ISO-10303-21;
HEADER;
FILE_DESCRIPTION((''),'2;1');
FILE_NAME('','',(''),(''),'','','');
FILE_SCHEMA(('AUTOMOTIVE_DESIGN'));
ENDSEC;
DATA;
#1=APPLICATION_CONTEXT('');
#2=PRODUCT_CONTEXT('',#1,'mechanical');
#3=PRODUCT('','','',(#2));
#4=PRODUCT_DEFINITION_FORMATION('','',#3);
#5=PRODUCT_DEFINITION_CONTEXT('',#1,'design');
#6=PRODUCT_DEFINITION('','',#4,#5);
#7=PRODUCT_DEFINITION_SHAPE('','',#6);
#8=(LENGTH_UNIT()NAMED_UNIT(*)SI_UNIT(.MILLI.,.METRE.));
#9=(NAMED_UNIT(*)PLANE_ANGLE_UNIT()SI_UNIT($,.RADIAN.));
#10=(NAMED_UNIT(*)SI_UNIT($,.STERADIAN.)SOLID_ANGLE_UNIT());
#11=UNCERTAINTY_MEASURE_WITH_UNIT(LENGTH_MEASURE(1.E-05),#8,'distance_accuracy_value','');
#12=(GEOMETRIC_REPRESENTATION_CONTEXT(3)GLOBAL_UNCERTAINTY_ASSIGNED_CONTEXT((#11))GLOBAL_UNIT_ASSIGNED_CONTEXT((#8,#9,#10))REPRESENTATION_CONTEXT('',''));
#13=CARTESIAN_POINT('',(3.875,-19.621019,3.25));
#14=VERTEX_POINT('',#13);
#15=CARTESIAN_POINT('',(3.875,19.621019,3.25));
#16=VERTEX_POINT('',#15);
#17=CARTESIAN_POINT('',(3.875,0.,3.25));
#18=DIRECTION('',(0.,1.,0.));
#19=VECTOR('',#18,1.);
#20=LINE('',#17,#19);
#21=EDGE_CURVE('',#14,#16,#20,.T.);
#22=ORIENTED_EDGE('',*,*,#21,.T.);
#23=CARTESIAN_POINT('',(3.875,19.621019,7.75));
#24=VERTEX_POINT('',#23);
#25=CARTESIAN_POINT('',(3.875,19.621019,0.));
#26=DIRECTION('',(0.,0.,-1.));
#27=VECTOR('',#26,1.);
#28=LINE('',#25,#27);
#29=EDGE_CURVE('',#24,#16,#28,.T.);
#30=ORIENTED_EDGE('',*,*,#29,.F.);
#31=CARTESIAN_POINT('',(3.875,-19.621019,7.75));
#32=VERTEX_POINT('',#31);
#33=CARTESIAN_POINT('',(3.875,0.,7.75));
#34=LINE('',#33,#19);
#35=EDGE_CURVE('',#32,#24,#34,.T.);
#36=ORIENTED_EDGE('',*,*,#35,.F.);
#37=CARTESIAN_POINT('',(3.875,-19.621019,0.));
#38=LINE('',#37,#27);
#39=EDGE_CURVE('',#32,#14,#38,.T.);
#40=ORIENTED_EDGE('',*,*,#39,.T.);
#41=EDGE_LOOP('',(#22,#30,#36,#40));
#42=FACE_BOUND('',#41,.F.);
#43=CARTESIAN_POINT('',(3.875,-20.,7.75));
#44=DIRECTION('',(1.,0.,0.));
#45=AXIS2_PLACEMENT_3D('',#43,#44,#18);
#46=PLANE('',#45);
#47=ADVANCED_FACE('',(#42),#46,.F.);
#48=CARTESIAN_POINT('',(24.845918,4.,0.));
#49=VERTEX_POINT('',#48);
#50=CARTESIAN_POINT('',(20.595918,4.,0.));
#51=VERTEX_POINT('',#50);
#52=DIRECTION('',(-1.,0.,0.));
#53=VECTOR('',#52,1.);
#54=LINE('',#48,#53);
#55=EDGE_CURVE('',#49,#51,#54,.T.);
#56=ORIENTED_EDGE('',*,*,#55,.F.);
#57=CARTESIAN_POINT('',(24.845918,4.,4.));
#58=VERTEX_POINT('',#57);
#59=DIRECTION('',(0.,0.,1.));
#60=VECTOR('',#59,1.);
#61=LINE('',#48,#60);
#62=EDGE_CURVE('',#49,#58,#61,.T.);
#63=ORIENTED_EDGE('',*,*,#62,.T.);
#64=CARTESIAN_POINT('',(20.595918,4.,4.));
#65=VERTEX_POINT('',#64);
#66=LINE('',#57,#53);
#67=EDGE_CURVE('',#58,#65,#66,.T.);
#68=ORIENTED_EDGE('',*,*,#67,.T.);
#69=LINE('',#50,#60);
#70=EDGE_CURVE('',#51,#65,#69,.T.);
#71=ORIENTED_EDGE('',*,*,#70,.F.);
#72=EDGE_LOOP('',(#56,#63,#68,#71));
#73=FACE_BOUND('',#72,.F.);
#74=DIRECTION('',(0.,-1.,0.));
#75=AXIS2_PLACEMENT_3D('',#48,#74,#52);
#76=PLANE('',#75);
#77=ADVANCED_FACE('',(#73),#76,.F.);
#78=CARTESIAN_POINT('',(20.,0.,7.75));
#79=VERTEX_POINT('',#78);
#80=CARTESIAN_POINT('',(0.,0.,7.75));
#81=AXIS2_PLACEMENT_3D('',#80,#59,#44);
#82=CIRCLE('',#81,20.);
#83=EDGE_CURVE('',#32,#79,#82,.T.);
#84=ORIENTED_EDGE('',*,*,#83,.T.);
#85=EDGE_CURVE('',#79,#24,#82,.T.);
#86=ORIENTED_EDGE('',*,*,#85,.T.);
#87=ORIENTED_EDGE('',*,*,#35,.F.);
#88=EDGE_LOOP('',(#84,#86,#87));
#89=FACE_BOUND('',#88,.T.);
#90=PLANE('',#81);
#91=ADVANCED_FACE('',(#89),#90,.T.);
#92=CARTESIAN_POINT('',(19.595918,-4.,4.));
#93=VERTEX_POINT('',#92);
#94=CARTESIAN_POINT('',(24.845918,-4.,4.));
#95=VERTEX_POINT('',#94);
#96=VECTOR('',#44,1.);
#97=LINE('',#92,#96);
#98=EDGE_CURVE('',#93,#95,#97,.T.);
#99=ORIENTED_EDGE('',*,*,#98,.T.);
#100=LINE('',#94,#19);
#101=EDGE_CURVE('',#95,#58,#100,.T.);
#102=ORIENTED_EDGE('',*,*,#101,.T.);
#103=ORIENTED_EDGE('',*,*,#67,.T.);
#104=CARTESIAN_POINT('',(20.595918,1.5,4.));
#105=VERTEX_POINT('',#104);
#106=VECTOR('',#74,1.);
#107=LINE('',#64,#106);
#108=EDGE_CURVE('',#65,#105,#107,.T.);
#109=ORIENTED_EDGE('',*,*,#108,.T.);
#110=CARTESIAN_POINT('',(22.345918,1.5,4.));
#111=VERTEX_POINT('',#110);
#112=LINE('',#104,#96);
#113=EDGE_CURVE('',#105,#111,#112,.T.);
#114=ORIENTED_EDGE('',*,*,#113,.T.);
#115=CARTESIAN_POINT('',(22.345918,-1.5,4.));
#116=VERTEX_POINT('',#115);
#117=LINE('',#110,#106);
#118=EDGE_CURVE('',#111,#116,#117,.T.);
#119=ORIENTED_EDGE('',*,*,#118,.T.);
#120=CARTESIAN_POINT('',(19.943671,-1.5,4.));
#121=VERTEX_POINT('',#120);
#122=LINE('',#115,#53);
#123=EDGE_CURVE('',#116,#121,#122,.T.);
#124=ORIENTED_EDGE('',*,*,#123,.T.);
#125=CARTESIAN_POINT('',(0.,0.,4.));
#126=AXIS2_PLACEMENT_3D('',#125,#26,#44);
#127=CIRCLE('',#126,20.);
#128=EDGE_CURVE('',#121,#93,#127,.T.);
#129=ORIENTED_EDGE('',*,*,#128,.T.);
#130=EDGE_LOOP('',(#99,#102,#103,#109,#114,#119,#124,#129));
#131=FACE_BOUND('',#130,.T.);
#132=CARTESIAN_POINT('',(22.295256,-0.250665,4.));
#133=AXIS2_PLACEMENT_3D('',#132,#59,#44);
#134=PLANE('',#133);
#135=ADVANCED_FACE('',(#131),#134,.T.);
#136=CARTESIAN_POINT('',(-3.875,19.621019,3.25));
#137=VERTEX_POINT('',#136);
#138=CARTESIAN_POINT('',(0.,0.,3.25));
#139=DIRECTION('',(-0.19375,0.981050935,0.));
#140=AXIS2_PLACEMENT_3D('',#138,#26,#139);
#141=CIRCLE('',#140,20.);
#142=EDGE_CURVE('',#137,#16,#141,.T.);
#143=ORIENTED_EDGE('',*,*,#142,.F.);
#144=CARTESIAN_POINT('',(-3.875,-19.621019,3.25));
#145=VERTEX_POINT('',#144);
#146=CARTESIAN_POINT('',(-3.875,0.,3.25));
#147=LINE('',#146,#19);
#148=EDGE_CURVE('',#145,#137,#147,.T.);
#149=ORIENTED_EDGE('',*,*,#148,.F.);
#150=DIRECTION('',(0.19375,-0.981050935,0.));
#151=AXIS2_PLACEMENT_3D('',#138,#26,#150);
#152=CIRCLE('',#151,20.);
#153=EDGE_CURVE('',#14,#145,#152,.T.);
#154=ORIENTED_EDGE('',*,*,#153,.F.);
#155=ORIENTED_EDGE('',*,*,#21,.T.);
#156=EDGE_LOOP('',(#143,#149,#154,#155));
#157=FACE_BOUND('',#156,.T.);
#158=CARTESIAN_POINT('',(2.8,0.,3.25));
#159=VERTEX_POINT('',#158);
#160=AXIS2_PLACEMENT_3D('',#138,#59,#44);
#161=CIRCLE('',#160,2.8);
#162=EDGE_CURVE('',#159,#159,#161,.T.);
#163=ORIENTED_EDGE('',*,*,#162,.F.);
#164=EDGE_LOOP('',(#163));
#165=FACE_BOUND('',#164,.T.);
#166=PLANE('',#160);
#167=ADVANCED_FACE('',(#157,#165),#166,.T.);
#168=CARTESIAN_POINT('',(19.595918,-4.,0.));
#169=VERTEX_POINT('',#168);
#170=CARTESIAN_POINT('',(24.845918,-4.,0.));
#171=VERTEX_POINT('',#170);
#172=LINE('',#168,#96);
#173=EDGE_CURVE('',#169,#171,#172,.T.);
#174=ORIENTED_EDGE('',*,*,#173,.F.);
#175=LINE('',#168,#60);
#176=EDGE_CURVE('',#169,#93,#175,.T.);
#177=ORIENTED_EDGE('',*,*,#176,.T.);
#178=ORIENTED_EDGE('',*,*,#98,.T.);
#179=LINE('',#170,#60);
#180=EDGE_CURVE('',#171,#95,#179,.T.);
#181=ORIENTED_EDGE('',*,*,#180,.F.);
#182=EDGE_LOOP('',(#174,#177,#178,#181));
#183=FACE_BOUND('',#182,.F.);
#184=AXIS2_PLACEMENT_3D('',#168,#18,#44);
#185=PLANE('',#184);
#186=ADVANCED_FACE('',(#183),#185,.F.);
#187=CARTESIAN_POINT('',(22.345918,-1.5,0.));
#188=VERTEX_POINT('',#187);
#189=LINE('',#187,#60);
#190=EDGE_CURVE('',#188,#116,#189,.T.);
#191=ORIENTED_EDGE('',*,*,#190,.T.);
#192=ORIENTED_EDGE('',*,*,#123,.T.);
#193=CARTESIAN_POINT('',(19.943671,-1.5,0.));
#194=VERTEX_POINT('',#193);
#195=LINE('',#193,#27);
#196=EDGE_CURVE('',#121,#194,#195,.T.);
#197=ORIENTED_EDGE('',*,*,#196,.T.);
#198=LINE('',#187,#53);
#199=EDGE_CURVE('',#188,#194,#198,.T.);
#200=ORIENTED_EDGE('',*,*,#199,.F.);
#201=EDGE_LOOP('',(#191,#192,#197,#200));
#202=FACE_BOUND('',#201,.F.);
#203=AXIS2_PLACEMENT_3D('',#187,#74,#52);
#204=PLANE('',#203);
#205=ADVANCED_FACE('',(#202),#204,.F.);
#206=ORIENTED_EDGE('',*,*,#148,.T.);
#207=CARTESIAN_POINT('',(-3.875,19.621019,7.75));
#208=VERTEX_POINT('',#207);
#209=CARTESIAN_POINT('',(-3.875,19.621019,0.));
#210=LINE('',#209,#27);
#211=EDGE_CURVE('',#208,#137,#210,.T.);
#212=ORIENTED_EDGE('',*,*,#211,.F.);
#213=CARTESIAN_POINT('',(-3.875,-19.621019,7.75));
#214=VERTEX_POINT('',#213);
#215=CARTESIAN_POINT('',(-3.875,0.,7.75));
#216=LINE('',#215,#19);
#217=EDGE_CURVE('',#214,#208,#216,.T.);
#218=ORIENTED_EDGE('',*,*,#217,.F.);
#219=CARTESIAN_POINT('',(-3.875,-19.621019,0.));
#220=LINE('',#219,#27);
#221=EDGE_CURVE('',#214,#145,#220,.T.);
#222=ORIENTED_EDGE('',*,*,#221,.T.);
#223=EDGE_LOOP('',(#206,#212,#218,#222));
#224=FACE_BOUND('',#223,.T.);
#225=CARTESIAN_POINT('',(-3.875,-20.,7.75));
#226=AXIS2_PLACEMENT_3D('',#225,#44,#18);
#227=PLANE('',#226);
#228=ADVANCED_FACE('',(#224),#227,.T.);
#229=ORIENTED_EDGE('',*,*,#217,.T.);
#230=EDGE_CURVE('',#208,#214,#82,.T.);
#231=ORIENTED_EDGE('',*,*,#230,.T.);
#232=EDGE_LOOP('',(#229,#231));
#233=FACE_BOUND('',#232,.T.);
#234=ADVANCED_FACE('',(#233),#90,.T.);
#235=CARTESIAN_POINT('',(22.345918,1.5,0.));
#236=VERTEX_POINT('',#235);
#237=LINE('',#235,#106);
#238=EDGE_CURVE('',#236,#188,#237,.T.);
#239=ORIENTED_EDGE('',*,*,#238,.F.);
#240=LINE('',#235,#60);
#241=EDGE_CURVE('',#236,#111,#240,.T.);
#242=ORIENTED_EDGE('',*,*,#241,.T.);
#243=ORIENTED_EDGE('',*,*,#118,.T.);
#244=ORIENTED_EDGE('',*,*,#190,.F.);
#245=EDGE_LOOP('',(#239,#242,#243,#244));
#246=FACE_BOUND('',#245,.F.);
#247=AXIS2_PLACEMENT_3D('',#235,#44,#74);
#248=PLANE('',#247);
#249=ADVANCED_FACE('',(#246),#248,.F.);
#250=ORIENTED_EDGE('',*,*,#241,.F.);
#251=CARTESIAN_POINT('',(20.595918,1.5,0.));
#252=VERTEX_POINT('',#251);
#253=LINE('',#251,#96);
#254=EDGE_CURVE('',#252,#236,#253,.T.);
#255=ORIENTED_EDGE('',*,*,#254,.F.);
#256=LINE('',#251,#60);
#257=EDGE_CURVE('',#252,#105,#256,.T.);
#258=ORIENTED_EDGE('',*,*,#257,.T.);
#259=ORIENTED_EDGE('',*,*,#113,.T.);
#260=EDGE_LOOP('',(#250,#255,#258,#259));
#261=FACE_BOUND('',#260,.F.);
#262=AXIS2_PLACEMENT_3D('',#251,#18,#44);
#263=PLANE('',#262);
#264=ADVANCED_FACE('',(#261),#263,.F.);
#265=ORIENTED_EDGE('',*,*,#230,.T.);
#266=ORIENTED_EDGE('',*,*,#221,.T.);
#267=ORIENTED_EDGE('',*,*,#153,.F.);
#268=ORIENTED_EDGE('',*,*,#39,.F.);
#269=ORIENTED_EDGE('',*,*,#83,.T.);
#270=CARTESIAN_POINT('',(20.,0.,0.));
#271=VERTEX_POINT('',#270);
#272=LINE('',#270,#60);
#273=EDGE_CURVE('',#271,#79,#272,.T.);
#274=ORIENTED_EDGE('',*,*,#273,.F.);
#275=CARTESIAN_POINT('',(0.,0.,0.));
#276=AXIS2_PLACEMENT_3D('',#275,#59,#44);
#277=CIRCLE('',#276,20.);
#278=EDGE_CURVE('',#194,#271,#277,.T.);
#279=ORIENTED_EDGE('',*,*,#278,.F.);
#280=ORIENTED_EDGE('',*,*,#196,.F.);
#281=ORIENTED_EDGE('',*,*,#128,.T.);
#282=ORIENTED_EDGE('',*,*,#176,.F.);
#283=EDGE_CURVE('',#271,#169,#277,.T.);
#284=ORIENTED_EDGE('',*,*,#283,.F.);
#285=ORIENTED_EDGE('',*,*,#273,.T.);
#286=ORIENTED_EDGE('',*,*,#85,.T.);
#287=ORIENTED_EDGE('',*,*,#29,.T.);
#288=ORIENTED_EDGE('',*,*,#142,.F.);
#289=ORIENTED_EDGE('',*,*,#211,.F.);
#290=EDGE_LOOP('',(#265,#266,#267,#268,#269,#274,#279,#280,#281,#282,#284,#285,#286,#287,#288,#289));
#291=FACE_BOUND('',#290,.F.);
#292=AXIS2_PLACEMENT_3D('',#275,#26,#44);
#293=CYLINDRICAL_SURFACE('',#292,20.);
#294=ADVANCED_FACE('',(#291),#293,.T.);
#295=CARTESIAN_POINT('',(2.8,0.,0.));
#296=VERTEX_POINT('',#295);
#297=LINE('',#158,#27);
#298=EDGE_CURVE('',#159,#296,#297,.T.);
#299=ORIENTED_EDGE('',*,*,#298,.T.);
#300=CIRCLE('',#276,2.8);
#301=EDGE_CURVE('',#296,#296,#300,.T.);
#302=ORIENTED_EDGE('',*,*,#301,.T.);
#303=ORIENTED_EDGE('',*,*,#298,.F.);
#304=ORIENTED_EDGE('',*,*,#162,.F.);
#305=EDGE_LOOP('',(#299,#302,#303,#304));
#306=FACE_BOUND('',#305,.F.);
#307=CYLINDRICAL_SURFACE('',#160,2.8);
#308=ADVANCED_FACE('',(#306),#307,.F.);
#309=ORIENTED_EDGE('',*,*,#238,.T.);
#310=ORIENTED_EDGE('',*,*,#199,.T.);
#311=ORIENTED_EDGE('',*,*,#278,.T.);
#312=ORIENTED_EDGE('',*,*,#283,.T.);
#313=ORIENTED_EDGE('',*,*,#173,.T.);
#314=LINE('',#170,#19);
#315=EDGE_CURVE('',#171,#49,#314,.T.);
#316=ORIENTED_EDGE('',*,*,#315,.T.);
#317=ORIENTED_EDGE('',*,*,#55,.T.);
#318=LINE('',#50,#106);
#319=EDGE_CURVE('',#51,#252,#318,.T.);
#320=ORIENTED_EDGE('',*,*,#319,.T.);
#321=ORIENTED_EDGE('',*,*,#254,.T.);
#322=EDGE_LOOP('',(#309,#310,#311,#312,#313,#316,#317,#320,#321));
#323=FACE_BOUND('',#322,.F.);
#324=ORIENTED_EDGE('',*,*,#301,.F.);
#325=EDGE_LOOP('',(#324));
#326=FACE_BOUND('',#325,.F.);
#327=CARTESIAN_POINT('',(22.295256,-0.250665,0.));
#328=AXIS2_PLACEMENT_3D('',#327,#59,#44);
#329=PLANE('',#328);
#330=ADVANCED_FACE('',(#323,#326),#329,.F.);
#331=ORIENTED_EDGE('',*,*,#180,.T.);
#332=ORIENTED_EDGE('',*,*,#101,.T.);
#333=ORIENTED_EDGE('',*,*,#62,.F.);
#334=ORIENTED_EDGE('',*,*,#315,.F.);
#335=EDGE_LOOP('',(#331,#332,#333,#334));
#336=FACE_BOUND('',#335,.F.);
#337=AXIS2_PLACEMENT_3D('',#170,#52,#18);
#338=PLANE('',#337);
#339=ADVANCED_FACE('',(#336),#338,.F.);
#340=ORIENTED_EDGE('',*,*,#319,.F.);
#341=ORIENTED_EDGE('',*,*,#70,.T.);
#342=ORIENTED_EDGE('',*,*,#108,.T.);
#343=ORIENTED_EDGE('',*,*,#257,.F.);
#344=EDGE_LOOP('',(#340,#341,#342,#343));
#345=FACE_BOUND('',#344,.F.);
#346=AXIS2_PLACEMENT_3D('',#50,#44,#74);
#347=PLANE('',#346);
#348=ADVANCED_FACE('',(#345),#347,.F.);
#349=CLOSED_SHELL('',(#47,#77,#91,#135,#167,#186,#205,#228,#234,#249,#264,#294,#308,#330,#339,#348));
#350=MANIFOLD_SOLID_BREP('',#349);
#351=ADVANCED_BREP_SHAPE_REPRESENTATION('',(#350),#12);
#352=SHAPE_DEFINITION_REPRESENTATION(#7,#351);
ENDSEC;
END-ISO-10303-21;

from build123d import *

# Parameters (mm, degrees)
F0_R     = 20
F1_DEPTH = 7.75
F2_W     = 7.75
F2_H     = 40
F3_DEPTH = 4.5
F5_DEPTH = 4
F6_R     = 2.8
F7_DEPTH = 3.251


with BuildPart() as f1:
    # F0 (on Top) → F1 (new body)
    with BuildSketch(Plane.XY):
        Circle(F0_R)
    extrude(amount=F1_DEPTH)

    # F2 (on face) → F3 (cut)
    with BuildSketch(Plane.XY.offset(7.75)):
        Rectangle(F2_W, F2_H)
    extrude(amount=-F3_DEPTH, mode=Mode.SUBTRACT)

    # F4 (on Top) → F5 (join)
    with BuildSketch(Plane.XY):
        Polygon((22.345918, -1.5), (18.466113, -1.5), (19.595918, -4), (24.845918, -4), (24.845918, 4), (20.595918, 4), (20.595918, 1.5), (22.345918, 1.5), align=None)
    extrude(amount=F5_DEPTH)

    # F6 (on face) → F7 (cut, through all)
    with BuildSketch(Plane.XY.offset(3.25)):
        Circle(F6_R)
    extrude(amount=-F7_DEPTH, mode=Mode.SUBTRACT)


solid = f1.part
